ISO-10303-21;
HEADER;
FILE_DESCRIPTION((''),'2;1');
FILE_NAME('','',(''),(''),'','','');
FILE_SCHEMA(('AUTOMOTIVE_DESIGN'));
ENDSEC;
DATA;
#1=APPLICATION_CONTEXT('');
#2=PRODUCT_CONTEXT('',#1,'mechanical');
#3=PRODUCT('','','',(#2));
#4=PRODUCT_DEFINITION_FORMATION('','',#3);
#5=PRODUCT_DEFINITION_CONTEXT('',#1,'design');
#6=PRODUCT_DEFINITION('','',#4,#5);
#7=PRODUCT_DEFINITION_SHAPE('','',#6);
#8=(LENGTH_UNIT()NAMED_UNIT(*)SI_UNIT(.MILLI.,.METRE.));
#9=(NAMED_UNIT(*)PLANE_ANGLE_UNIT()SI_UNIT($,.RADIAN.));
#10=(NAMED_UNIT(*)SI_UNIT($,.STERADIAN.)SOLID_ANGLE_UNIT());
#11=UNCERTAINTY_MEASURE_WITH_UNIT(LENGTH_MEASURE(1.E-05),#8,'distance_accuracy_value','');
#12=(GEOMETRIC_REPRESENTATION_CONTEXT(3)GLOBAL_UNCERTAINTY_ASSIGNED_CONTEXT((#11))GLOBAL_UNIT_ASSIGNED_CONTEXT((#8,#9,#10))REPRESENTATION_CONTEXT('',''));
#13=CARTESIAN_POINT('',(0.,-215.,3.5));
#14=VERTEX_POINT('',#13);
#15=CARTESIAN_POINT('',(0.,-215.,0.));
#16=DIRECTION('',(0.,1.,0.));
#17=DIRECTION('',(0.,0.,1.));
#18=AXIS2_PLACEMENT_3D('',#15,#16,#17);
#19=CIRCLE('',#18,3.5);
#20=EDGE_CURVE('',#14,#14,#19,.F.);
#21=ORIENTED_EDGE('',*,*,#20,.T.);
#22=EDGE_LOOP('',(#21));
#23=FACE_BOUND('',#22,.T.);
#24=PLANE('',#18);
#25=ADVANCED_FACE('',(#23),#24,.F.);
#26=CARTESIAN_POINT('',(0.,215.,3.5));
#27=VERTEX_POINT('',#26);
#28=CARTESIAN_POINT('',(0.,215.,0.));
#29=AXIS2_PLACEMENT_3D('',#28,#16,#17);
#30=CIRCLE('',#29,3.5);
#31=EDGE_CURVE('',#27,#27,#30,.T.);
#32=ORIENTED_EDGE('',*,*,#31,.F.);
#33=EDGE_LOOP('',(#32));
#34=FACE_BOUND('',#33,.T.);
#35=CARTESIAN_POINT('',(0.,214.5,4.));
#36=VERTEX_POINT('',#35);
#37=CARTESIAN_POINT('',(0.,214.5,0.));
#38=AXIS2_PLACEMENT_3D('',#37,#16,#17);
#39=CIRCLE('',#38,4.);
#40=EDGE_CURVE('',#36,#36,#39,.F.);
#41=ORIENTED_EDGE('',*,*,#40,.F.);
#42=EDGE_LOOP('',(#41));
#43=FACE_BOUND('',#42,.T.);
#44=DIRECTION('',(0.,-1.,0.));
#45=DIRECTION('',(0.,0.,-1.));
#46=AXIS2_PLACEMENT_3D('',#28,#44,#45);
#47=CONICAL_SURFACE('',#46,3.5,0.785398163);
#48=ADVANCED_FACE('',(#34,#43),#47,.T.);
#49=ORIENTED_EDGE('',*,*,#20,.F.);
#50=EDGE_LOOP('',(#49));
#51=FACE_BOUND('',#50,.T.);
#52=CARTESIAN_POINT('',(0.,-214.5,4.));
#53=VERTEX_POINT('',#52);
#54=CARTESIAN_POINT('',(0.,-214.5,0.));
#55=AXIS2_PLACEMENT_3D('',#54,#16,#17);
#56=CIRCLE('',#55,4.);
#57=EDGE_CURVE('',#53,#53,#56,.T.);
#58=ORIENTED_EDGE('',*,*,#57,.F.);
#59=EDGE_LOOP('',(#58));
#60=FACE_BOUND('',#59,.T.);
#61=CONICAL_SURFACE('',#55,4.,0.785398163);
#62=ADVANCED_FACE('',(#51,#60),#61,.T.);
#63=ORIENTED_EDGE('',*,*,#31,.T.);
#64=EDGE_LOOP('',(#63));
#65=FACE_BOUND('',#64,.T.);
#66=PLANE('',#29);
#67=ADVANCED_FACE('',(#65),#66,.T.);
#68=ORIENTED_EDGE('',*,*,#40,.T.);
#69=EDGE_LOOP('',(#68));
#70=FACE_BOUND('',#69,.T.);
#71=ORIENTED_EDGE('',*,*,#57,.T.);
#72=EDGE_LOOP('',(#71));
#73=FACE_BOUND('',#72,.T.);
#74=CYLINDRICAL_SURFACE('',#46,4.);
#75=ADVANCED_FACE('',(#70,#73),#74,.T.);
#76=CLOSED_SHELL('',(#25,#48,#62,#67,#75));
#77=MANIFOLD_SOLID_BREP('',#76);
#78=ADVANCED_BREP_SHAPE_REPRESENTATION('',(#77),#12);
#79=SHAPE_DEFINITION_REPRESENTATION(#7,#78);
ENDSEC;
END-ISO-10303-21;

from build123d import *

# Parameters (mm, degrees)
SKETCH1_R           = 4
BOSS_EXTRUDE1_DEPTH = 215
CHAMFER1_SIZE       = 0.5


with BuildPart() as part:
    # Sketch1 → Boss-Extrude1 (new, symmetric)
    with BuildSketch(Plane(origin=(0, 0, 0), x_dir=(1, 0, 0), z_dir=(0, 1, 0))):
        with Locations(Location((0, 0, 0), (0, 0, 270))):
            Circle(SKETCH1_R)
    extrude(amount=BOSS_EXTRUDE1_DEPTH, both=True)

    # Chamfer1
    chamfer1_edges = [part.edges().sort_by_distance(p)[0] for p in [
        (0, -215, -4),
        (0, 215, -4),
    ]]
    chamfer(chamfer1_edges, length=CHAMFER1_SIZE)


solid = part.part
